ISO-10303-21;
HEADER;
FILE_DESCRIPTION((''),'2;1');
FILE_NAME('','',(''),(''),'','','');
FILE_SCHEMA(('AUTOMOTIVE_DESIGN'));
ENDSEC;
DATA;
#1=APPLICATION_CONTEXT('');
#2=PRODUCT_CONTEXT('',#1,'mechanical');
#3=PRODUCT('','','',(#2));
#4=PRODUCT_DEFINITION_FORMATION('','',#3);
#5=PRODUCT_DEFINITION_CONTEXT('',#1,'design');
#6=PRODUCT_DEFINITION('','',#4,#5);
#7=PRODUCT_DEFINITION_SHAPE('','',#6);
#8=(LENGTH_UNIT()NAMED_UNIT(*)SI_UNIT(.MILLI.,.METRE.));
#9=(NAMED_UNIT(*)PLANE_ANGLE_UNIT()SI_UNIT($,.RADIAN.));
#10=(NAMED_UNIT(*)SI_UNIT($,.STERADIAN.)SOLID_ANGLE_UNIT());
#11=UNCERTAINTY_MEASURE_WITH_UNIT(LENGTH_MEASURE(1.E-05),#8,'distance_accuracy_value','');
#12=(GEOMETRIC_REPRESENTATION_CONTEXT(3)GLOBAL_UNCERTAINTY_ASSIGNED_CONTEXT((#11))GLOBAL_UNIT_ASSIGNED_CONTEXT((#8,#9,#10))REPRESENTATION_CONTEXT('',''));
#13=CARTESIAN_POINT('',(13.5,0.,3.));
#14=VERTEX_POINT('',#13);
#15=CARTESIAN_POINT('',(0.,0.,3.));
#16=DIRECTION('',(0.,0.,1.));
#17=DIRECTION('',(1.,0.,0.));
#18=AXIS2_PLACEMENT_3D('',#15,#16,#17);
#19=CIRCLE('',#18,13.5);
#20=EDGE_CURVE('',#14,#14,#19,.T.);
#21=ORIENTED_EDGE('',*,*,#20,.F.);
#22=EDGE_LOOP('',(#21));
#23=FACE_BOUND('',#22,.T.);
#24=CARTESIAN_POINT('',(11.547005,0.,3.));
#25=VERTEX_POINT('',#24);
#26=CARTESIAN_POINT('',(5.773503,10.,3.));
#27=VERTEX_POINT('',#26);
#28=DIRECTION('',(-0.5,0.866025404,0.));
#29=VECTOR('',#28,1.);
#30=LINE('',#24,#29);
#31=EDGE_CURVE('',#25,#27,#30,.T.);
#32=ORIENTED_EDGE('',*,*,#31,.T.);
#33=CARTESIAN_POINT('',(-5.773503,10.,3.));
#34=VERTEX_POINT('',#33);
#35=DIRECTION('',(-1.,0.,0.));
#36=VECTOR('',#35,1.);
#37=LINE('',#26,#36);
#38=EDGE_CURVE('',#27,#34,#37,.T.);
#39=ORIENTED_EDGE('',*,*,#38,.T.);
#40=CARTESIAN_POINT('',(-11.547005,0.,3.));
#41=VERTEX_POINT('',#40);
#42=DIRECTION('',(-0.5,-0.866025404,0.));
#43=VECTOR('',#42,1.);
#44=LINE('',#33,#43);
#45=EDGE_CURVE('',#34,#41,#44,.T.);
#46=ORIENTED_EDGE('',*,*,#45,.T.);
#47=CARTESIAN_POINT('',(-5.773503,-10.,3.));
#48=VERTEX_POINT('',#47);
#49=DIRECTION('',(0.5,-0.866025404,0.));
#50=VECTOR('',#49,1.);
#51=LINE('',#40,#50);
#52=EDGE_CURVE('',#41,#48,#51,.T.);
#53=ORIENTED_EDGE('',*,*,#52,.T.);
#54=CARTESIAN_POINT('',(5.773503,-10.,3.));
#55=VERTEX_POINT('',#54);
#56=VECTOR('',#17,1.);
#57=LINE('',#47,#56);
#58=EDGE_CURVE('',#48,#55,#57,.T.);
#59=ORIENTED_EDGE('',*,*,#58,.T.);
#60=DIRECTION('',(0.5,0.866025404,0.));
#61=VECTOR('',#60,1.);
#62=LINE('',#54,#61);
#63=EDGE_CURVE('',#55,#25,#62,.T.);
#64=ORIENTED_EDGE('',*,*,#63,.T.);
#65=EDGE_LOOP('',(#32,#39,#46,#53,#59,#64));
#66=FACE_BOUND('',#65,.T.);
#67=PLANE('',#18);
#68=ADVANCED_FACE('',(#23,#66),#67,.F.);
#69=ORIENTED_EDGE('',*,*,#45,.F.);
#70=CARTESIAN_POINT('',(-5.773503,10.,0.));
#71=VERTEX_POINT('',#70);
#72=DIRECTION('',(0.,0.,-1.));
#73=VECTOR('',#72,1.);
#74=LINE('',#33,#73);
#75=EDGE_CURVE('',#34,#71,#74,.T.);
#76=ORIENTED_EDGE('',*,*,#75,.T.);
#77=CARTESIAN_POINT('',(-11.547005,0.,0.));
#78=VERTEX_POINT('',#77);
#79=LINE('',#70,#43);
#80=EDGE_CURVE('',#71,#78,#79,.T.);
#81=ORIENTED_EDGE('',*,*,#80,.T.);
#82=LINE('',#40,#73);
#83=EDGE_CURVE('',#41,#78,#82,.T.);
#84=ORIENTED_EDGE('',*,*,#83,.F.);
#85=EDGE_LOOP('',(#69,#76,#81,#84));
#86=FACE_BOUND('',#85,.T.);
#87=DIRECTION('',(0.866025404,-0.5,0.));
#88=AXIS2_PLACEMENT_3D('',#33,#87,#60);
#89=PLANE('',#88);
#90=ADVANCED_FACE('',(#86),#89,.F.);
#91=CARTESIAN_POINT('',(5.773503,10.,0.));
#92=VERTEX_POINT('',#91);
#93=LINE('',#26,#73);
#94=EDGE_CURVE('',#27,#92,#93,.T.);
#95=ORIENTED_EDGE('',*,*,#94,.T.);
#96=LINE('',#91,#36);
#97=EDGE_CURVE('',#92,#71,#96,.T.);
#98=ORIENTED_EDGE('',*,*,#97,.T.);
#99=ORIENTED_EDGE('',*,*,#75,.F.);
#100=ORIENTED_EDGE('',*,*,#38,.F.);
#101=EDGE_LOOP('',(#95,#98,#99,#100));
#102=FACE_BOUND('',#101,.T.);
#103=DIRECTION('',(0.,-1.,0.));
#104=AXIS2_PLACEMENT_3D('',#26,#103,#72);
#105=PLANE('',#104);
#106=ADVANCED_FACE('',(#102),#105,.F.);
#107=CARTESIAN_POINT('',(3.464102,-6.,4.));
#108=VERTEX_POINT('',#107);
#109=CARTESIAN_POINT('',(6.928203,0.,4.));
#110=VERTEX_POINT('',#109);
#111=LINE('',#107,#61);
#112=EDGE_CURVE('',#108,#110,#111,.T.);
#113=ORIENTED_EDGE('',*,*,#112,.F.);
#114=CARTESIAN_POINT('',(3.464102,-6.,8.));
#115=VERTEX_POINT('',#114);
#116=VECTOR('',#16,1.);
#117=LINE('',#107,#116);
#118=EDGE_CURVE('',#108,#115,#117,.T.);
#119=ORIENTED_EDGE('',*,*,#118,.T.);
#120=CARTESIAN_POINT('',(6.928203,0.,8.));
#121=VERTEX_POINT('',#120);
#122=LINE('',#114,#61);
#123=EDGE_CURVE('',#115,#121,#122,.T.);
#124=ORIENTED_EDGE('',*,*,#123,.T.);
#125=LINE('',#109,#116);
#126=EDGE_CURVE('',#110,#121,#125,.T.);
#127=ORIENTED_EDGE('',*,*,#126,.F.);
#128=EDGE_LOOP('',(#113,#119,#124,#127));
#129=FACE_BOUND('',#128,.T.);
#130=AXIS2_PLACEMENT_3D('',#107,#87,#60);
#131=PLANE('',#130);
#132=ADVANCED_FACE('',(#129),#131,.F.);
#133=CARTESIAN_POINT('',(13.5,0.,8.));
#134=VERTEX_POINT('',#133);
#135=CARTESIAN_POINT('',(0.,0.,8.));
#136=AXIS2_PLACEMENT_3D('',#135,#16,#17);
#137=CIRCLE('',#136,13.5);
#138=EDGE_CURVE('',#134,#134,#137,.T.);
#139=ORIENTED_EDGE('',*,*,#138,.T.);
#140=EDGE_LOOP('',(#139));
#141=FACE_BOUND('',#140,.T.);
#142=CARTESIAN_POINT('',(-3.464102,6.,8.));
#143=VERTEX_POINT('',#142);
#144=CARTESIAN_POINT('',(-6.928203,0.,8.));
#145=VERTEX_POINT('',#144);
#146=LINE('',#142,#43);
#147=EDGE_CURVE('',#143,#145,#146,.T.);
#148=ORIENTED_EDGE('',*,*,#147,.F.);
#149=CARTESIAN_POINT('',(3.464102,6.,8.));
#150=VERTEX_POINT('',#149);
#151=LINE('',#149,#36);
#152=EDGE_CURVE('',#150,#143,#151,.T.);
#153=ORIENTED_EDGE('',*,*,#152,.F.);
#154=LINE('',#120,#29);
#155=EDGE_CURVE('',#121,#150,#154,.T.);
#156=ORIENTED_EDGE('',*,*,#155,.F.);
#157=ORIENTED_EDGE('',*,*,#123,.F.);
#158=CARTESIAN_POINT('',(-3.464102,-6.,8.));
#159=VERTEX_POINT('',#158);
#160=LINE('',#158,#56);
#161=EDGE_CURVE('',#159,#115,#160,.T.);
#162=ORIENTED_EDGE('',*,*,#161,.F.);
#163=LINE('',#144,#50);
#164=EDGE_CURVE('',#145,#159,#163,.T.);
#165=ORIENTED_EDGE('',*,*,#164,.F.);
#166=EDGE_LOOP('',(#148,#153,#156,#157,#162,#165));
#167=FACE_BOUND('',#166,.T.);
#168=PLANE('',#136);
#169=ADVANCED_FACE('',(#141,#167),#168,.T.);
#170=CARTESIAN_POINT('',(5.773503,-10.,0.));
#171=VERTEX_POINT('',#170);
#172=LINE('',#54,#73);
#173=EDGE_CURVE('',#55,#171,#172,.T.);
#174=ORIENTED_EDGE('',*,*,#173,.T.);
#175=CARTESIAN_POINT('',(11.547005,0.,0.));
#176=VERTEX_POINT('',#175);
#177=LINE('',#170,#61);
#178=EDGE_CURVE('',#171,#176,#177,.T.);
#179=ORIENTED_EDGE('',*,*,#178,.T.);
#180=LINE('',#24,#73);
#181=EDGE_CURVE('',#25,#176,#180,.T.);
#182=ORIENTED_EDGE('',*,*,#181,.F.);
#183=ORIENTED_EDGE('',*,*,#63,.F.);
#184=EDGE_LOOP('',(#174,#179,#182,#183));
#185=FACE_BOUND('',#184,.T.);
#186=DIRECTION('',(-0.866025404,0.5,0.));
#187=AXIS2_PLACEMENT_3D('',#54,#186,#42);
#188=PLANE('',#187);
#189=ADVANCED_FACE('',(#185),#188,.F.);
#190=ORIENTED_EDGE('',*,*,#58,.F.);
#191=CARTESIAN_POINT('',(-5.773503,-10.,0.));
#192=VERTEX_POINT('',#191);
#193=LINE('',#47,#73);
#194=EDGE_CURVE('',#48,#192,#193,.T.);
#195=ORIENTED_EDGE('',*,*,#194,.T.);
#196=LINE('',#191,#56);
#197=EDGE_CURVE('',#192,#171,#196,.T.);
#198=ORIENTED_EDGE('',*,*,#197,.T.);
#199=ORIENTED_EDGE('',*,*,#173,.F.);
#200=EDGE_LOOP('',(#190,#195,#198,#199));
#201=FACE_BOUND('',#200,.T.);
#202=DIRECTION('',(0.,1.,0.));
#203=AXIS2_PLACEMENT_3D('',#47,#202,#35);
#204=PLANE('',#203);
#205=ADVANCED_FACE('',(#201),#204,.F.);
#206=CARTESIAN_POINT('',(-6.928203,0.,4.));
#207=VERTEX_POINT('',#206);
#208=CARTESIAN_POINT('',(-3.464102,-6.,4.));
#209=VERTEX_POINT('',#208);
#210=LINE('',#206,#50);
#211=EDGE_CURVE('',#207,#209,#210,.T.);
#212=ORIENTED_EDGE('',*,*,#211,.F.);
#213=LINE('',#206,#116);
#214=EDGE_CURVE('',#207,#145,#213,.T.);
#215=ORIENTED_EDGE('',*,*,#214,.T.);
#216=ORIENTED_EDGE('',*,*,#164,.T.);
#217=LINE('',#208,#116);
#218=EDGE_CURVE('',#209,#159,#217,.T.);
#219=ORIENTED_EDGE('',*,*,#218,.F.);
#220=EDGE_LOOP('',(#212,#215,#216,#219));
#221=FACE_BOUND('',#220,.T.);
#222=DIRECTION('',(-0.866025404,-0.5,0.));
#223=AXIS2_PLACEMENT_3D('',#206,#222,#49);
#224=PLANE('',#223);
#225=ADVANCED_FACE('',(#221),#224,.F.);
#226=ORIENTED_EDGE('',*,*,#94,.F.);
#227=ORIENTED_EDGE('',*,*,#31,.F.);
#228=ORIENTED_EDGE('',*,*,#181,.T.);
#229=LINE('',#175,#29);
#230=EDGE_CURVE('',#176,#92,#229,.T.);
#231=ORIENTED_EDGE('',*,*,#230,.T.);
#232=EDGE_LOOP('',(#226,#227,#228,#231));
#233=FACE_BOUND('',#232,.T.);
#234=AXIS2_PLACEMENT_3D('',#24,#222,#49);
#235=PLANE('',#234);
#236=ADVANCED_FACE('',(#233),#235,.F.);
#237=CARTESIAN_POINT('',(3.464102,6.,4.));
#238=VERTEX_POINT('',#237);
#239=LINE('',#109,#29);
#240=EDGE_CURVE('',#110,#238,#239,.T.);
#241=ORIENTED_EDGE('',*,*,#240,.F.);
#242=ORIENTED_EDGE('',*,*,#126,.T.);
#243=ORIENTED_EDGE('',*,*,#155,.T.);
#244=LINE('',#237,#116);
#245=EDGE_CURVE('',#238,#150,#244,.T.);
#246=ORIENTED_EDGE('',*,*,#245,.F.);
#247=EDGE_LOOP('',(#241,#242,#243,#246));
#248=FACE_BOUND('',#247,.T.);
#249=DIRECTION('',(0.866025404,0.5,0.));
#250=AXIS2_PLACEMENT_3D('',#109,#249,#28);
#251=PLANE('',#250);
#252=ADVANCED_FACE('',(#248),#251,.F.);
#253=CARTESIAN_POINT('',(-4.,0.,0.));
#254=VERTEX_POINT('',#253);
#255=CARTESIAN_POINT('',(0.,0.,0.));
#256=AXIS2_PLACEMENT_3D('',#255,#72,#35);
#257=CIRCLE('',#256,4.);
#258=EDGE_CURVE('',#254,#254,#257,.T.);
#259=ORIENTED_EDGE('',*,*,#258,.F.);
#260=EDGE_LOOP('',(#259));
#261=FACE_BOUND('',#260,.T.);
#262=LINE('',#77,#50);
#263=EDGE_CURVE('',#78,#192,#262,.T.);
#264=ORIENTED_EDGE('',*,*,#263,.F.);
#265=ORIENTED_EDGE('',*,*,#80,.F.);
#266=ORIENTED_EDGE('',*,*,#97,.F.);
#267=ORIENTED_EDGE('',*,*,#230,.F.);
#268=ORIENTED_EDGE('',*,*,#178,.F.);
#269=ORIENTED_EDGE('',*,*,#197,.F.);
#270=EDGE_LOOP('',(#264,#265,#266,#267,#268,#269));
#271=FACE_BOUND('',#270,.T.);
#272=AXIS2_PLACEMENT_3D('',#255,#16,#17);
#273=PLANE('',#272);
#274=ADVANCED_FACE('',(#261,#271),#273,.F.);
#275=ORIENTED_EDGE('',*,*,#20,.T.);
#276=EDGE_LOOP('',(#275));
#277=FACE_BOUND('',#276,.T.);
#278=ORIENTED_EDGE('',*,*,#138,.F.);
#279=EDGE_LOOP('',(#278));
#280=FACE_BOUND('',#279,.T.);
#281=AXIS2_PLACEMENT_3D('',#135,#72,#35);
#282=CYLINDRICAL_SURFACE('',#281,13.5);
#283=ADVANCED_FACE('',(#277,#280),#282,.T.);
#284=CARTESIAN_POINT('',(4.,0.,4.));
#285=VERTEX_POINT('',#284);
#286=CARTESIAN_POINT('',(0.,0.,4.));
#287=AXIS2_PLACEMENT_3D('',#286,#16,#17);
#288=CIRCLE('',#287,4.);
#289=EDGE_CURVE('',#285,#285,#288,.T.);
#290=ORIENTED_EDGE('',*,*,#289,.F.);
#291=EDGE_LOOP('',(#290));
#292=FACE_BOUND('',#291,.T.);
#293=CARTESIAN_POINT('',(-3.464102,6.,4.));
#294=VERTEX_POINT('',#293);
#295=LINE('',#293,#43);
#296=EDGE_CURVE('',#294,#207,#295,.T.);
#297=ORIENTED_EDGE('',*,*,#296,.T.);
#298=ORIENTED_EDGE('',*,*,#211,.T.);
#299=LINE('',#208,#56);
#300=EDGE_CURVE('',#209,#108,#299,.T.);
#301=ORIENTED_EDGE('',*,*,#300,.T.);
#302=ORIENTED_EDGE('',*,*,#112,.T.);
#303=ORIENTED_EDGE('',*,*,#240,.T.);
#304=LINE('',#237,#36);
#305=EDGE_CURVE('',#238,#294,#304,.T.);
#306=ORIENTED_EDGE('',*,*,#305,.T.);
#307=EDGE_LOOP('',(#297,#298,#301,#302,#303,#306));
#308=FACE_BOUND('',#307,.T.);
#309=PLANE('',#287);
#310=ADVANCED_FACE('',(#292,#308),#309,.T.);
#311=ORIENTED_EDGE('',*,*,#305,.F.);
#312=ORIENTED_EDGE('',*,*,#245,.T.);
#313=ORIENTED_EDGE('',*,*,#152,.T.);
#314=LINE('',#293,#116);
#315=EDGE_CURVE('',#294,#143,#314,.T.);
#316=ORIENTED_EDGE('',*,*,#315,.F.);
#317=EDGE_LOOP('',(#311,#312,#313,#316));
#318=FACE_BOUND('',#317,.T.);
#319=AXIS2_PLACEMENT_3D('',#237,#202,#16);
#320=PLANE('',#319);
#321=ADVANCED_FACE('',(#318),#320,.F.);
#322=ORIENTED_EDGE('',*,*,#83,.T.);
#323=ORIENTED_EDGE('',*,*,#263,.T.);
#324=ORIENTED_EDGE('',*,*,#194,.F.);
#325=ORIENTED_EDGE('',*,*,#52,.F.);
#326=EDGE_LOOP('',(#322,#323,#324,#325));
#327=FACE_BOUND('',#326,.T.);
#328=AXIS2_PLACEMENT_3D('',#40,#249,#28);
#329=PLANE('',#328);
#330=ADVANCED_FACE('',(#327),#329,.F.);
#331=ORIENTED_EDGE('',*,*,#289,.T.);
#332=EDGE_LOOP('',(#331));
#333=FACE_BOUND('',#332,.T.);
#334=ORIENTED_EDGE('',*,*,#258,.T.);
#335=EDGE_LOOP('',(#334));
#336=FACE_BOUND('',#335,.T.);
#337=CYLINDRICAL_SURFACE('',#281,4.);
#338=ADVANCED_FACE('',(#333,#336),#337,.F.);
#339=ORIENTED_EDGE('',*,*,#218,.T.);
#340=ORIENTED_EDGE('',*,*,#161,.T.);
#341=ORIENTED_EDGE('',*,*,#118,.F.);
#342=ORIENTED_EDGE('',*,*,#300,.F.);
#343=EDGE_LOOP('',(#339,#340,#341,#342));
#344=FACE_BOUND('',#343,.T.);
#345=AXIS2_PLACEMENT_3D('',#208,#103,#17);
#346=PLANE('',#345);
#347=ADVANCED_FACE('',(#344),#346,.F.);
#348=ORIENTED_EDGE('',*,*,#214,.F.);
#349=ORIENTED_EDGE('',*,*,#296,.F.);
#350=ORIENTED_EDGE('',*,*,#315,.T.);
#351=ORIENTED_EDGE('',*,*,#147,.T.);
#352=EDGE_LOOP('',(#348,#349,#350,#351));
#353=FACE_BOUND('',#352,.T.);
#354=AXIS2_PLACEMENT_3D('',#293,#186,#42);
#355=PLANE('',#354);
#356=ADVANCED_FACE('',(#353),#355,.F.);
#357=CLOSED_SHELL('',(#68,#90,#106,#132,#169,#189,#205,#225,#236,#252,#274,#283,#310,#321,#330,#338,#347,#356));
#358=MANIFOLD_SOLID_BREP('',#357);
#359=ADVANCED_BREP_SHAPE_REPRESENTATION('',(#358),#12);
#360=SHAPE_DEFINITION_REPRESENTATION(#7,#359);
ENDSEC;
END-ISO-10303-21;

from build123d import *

# Parameters (mm, degrees)
BOSS_EXTRUDE1_DEPTH = 3
SKETCH3_R           = 13.5
BOSS_EXTRUDE2_DEPTH = 5
CUT_EXTRUDE1_DEPTH  = 4
SKETCH6_R           = 4
CUT_EXTRUDE2_DEPTH  = 9


with BuildPart() as part:
    # Sketch1 → Boss-Extrude1 (new body)
    with BuildSketch(Plane.XY):
        Polygon((11.547005384, 0), (5.773502692, 10), (-5.773502692, 10), (-11.547005384, 0), (-5.773502692, -10), (5.773502692, -10), align=None)
    extrude(amount=BOSS_EXTRUDE1_DEPTH)

    # Sketch3 → Boss-Extrude2 (add)
    with BuildSketch(Plane.XY.offset(3)):
        Circle(SKETCH3_R)
    extrude(amount=BOSS_EXTRUDE2_DEPTH)

    # Sketch4 → Cut-Extrude1 (cut)
    with BuildSketch(Plane.XY.offset(8)):
        Polygon((3.464101615, -6), (6.92820323, 0), (3.464101615, 6), (-3.464101615, 6), (-6.92820323, 0), (-3.464101615, -6), align=None)
    extrude(amount=-CUT_EXTRUDE1_DEPTH, mode=Mode.SUBTRACT)

    # Sketch6 → Cut-Extrude2 (cut, through all)
    with BuildSketch(Plane(origin=(0, 0, 0), x_dir=(-1, 0, 0), z_dir=(0, 0, -1))):
        Circle(SKETCH6_R)
    extrude(amount=-CUT_EXTRUDE2_DEPTH, mode=Mode.SUBTRACT)


solid = part.part
